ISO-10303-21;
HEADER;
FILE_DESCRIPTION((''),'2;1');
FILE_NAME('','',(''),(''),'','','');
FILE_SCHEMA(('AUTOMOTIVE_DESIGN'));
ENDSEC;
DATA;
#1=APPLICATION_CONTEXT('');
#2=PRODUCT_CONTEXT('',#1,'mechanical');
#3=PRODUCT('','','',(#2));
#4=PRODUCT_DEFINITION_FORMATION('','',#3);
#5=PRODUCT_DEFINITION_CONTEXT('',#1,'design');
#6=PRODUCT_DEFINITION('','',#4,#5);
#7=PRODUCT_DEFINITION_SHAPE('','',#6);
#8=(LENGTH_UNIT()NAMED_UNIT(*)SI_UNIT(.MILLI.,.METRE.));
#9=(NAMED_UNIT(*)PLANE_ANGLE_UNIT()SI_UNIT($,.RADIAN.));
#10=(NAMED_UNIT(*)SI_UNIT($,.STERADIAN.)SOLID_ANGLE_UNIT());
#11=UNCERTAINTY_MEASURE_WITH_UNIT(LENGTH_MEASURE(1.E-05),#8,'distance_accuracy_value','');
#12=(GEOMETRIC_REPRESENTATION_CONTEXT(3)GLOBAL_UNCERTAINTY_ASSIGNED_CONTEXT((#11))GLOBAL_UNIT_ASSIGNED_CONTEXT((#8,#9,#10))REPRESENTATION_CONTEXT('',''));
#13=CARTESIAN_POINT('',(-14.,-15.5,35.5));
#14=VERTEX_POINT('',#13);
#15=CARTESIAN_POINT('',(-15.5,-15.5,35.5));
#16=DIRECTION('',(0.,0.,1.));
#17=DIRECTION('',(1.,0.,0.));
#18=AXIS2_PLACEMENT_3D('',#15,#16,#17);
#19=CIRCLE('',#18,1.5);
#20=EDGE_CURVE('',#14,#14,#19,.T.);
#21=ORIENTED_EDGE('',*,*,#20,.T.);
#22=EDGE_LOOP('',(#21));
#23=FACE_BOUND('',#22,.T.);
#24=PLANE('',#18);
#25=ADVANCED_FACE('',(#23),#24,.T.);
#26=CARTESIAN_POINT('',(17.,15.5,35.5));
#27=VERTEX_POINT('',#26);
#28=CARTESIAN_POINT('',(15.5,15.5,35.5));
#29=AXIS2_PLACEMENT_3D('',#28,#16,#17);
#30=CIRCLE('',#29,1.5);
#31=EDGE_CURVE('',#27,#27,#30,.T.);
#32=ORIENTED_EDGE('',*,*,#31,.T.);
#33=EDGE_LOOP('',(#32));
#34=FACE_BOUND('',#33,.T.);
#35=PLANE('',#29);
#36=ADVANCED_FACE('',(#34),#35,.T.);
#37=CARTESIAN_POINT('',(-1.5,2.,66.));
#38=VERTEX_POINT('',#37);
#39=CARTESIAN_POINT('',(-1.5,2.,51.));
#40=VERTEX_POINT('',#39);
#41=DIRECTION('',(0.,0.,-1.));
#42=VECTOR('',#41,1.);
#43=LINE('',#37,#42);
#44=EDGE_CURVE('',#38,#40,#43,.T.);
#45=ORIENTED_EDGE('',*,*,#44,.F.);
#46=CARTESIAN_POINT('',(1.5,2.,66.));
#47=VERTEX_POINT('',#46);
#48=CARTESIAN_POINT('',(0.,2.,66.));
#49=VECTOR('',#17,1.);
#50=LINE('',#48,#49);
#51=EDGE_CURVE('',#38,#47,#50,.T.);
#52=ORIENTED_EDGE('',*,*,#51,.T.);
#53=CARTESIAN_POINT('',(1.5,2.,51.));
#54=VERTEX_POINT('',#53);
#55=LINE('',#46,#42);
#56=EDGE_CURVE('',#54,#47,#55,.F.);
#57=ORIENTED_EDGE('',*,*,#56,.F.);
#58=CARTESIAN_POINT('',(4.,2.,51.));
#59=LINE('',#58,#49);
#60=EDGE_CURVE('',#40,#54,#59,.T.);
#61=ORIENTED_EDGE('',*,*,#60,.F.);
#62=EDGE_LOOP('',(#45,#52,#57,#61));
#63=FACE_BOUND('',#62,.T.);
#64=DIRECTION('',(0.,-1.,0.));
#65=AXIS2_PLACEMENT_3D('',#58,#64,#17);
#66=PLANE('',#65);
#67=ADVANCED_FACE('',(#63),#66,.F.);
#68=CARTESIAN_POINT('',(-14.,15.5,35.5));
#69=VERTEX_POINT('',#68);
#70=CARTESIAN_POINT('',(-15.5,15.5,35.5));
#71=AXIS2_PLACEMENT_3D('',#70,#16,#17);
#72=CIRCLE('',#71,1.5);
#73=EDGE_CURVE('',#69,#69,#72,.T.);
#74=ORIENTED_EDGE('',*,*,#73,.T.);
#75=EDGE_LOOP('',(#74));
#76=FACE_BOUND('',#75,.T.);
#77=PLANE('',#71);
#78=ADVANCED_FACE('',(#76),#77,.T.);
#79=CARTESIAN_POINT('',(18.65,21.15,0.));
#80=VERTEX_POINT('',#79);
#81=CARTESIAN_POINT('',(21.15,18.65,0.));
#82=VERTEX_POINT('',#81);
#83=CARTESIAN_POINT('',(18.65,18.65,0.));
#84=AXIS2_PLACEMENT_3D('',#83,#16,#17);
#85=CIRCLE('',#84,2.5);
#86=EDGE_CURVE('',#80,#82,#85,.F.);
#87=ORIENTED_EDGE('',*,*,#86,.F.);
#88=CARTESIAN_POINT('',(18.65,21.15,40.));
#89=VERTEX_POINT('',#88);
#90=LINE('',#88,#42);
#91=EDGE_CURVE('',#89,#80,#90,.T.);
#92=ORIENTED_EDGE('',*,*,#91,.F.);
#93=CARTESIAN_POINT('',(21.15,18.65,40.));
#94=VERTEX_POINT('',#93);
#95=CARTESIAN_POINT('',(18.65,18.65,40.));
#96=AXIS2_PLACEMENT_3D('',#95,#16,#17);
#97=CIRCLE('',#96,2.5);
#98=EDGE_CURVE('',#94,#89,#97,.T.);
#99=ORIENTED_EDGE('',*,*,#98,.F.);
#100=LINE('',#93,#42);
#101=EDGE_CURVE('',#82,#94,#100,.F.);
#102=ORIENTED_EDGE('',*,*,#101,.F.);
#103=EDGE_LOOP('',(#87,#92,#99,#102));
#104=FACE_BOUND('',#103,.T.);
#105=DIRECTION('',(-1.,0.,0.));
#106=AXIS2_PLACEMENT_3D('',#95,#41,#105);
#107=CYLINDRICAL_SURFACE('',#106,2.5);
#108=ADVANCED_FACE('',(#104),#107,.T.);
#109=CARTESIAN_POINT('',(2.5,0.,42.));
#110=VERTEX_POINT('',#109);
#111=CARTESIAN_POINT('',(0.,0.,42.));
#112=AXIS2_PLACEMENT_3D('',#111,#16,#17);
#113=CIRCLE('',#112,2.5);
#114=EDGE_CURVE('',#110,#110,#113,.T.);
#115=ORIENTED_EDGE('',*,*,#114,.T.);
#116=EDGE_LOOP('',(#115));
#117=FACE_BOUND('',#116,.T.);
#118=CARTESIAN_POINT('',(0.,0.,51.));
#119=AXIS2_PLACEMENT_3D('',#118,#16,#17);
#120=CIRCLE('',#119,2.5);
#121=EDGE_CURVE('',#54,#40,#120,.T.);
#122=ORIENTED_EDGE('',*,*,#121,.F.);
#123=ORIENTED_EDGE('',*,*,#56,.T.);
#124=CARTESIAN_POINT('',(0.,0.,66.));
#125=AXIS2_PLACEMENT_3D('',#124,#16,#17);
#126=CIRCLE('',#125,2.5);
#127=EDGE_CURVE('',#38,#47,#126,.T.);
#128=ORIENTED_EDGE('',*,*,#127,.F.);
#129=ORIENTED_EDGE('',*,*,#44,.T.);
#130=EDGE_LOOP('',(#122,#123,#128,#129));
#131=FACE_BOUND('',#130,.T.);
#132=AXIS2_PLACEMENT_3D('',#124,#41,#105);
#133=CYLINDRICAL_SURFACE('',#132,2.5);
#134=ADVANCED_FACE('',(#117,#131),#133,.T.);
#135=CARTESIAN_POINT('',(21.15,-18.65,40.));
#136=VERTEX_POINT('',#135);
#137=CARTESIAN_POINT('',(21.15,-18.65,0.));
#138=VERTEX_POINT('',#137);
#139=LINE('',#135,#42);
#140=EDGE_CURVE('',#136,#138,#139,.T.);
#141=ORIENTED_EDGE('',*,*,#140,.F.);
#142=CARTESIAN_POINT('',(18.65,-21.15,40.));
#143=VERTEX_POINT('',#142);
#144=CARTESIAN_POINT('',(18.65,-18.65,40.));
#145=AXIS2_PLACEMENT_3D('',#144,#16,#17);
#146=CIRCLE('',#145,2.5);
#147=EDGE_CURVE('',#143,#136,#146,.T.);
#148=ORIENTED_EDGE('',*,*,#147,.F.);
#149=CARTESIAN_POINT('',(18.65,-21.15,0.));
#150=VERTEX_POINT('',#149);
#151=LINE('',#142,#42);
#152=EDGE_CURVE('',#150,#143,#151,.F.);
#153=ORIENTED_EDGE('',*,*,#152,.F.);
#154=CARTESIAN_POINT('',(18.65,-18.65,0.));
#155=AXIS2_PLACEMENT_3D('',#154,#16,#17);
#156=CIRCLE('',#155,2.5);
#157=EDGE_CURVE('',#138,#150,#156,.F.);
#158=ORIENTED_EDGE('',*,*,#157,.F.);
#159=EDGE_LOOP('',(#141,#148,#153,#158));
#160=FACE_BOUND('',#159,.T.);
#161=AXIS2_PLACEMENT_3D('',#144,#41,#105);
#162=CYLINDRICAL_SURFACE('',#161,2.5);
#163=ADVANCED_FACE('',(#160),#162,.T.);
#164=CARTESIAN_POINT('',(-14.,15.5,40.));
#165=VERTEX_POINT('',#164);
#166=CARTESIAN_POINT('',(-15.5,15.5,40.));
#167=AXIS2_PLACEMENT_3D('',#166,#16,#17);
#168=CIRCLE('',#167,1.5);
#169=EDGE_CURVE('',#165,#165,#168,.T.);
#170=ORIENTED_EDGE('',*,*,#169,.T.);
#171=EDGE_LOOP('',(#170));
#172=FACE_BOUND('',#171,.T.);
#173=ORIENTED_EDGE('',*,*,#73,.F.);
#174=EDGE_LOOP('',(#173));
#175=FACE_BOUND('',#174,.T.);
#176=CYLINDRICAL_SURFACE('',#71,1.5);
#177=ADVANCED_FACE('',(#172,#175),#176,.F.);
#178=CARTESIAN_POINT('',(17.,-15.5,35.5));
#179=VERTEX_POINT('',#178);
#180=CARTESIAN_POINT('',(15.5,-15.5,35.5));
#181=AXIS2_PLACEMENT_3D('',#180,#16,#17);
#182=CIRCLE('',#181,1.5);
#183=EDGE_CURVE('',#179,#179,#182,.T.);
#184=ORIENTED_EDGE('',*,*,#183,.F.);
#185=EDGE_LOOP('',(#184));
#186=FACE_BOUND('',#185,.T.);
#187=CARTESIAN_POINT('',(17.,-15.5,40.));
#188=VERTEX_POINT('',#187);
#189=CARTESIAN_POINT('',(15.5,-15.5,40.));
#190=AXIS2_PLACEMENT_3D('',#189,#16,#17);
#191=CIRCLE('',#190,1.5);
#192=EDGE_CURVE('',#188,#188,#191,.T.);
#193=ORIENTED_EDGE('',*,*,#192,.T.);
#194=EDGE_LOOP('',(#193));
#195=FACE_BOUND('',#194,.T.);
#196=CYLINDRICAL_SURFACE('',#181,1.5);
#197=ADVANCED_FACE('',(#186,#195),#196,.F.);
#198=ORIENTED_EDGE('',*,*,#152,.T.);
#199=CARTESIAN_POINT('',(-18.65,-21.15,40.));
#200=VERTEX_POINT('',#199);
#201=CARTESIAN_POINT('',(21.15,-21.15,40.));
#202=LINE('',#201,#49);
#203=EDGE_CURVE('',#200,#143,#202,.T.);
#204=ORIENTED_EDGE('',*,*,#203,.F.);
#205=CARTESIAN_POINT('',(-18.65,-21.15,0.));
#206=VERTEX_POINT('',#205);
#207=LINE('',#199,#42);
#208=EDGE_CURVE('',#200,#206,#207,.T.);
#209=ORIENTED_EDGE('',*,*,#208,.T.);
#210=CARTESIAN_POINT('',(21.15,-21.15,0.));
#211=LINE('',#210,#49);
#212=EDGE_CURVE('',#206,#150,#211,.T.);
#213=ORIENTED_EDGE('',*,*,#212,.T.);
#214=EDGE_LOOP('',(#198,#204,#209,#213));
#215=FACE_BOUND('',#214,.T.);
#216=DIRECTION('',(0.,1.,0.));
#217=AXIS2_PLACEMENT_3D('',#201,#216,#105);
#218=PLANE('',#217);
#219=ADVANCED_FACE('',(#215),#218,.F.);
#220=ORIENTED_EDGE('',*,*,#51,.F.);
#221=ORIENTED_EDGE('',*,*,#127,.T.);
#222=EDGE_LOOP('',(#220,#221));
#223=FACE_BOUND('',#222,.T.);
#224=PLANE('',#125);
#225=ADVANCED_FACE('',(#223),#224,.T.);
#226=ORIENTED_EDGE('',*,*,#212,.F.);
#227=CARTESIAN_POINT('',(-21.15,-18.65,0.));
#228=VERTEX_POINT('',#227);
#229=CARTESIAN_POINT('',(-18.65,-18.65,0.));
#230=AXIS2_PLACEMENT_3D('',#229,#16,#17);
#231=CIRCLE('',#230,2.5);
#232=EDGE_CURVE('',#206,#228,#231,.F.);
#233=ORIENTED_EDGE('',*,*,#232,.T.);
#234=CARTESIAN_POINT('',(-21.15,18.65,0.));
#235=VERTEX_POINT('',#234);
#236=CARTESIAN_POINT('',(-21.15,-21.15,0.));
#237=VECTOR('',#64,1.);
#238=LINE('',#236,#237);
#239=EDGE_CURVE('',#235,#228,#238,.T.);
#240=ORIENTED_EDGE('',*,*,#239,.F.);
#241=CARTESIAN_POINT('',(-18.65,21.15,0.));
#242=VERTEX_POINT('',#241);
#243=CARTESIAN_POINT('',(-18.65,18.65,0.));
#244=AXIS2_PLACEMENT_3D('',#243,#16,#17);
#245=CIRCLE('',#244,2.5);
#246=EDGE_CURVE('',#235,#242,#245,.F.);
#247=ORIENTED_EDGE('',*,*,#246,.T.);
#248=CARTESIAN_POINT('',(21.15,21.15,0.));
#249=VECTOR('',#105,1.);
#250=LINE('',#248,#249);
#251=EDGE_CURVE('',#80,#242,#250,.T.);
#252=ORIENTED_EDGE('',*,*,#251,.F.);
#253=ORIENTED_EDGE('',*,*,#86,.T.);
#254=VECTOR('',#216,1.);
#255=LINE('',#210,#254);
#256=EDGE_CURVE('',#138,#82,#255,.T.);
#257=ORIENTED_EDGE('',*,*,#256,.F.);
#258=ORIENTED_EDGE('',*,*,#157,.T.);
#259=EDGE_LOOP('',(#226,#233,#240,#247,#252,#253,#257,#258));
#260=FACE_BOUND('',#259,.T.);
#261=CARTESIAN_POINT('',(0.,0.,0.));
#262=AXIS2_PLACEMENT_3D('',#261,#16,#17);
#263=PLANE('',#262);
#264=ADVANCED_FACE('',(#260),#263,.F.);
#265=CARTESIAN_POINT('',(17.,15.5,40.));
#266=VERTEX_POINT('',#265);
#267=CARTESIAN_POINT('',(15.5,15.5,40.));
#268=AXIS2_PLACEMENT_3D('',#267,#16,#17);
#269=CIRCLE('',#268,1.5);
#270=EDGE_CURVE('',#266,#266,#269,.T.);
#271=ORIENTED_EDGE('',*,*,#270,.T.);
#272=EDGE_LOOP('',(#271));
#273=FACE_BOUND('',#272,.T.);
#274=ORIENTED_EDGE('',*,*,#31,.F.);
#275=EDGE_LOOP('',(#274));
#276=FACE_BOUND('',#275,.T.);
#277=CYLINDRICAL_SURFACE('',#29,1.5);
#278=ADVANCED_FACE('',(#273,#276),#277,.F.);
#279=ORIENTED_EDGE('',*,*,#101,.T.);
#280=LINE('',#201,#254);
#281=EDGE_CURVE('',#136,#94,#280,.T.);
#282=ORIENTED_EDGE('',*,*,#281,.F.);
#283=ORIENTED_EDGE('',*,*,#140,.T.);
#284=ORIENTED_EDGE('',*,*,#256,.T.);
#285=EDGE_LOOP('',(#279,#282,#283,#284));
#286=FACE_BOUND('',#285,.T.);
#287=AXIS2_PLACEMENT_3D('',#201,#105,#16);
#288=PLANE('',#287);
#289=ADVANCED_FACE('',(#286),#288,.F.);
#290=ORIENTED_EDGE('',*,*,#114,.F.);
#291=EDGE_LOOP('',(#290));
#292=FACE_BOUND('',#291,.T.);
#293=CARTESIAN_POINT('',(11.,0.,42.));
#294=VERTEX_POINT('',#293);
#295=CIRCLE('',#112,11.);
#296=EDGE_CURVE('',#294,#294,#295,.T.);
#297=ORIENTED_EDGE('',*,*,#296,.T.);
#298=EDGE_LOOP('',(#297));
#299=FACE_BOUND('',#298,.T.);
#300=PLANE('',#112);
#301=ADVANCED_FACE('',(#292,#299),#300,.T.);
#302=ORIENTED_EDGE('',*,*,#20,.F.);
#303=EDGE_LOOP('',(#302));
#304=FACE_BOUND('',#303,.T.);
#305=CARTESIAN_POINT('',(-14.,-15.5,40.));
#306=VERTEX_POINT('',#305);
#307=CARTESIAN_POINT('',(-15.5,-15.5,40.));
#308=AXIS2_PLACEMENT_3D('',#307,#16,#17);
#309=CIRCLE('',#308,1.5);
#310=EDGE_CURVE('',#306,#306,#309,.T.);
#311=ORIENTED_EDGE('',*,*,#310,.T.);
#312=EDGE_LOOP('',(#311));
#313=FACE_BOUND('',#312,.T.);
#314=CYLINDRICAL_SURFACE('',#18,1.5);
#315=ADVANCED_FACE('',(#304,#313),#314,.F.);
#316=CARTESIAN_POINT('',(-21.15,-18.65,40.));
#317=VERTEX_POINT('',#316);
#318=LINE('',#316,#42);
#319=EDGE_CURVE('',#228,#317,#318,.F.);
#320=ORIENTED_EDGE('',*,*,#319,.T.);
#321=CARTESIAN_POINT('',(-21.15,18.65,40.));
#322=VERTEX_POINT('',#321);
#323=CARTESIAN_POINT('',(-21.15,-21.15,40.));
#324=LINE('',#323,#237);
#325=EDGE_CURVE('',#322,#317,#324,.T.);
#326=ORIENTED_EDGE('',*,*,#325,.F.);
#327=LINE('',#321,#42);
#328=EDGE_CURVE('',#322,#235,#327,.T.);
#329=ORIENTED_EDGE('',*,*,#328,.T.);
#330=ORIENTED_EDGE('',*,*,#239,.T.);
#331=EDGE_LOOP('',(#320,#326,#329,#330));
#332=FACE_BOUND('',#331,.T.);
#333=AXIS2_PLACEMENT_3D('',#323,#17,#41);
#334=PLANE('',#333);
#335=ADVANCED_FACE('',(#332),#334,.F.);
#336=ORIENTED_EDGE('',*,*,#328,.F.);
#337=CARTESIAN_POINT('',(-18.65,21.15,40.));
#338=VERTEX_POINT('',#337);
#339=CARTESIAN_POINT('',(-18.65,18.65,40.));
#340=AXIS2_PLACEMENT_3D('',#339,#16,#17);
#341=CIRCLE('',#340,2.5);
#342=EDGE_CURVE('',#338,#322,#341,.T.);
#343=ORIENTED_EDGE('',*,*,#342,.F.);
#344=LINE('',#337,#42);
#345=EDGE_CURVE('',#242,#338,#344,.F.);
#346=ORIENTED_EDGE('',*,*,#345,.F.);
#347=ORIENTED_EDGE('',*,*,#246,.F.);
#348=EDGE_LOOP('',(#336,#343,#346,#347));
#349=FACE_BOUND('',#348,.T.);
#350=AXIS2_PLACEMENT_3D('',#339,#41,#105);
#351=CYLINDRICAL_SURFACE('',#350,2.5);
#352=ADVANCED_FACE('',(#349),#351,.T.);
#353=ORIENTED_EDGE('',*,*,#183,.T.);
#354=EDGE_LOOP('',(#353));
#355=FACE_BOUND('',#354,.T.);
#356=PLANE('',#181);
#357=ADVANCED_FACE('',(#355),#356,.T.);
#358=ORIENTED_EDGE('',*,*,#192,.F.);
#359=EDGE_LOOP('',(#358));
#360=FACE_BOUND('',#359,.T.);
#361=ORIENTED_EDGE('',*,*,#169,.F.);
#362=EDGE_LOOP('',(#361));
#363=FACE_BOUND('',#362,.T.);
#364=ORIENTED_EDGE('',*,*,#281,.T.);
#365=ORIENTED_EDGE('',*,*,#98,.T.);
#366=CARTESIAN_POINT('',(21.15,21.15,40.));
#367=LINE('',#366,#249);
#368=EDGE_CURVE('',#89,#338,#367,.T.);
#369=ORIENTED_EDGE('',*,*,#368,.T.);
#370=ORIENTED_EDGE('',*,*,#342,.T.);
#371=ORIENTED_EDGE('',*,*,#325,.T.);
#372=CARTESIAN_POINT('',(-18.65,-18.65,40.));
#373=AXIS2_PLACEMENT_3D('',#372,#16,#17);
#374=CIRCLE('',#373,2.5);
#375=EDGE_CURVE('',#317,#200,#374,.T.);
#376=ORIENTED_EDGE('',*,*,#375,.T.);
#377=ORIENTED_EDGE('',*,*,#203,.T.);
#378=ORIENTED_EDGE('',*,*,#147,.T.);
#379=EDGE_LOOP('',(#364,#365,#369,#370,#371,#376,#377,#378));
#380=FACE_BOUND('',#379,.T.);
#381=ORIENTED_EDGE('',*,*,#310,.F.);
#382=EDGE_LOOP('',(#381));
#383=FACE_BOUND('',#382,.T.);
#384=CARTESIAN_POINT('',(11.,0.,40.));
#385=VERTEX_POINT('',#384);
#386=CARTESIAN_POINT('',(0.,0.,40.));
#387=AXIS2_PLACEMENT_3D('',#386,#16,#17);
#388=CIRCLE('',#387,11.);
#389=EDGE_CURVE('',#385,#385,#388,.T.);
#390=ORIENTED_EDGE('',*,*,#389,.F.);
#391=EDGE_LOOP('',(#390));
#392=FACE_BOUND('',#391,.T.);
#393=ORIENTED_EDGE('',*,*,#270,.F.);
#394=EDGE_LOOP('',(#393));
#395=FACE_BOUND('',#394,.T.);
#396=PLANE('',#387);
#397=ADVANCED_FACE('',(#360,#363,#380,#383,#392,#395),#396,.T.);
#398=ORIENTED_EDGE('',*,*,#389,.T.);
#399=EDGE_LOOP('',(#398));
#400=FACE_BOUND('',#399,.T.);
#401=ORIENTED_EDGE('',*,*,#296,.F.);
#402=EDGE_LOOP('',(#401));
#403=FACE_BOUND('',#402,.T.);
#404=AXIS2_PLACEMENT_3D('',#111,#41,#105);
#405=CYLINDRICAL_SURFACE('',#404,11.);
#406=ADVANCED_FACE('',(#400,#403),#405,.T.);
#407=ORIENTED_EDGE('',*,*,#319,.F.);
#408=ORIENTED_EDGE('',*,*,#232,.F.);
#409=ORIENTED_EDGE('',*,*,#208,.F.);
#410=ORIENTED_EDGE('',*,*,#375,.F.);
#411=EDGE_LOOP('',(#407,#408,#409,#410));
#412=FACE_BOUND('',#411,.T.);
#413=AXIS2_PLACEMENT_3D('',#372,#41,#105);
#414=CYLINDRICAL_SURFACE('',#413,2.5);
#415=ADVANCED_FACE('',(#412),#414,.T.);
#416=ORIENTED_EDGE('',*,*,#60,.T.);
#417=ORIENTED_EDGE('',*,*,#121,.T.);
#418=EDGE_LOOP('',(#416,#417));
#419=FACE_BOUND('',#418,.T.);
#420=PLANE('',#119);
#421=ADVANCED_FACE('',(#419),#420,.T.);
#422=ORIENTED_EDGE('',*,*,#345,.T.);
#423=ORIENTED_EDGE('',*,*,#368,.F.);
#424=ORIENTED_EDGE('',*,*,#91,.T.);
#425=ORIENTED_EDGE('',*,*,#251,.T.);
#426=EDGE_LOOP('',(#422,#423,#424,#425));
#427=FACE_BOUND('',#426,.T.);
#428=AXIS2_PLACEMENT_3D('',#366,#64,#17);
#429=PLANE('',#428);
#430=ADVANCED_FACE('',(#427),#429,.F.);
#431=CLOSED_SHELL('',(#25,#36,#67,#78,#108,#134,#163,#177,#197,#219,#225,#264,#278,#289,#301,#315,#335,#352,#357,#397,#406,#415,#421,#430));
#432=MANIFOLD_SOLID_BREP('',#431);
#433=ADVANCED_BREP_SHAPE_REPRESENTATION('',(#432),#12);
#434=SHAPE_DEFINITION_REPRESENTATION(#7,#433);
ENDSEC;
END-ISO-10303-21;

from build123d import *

# Parameters (mm, degrees)
ESBO_O1_W                = 42.3
ESBO_O1_H                = 42.3
RESSALTO_EXTRUS_O1_DEPTH = 40
FILETE1_R                = 2.5
ESBO_O2_R                = 1.5
CORTE_EXTRUS_O2_DEPTH    = 4.5
ESBO_O3_R                = 11
RESSALTO_EXTRUS_O2_DEPTH = 2
ESBO_O4_R                = 2.5
RESSALTO_EXTRUS_O3_DEPTH = 24
ESBO_O5_W                = 8
ESBO_O5_H                = 1
CORTE_EXTRUS_O3_DEPTH    = 15


with BuildPart() as part:
    # Esboço1 → Ressalto-extrusão1 (new body)
    with BuildSketch(Plane.XY):
        Rectangle(ESBO_O1_W, ESBO_O1_H)
    extrude(amount=RESSALTO_EXTRUS_O1_DEPTH)

    # Filete1
    filete1_edges = [part.edges().sort_by_distance(p)[0] for p in [
        (-21.15, 21.15, 20),
        (21.15, 21.15, 20),
        (21.15, -21.15, 20),
        (-21.15, -21.15, 20),
    ]]
    fillet(filete1_edges, radius=FILETE1_R)

    # Esboço2 → Corte-extrusão2 (cut)
    with BuildSketch(Plane.XY.offset(40)):
        with Locations((-15.5, 15.5)):
            Circle(ESBO_O2_R)
        with Locations((15.5, 15.5)):
            Circle(ESBO_O2_R)
        with Locations((15.5, -15.5)):
            Circle(ESBO_O2_R)
        with Locations((-15.5, -15.5)):
            Circle(ESBO_O2_R)
    extrude(amount=-CORTE_EXTRUS_O2_DEPTH, mode=Mode.SUBTRACT)

    # Esboço3 → Ressalto-extrusão2 (add)
    with BuildSketch(Plane.XY.offset(40)):
        Circle(ESBO_O3_R)
    extrude(amount=RESSALTO_EXTRUS_O2_DEPTH)

    # Esboço4 → Ressalto-extrusão3 (add)
    with BuildSketch(Plane.XY.offset(42)):
        Circle(ESBO_O4_R)
    extrude(amount=RESSALTO_EXTRUS_O3_DEPTH)

    # Esboço5 → Corte-extrusão3 (cut)
    with BuildSketch(Plane.XY.offset(66)):
        with Locations((0, 2.5)):
            Rectangle(ESBO_O5_W, ESBO_O5_H)
    extrude(amount=-CORTE_EXTRUS_O3_DEPTH, mode=Mode.SUBTRACT)


solid = part.part
